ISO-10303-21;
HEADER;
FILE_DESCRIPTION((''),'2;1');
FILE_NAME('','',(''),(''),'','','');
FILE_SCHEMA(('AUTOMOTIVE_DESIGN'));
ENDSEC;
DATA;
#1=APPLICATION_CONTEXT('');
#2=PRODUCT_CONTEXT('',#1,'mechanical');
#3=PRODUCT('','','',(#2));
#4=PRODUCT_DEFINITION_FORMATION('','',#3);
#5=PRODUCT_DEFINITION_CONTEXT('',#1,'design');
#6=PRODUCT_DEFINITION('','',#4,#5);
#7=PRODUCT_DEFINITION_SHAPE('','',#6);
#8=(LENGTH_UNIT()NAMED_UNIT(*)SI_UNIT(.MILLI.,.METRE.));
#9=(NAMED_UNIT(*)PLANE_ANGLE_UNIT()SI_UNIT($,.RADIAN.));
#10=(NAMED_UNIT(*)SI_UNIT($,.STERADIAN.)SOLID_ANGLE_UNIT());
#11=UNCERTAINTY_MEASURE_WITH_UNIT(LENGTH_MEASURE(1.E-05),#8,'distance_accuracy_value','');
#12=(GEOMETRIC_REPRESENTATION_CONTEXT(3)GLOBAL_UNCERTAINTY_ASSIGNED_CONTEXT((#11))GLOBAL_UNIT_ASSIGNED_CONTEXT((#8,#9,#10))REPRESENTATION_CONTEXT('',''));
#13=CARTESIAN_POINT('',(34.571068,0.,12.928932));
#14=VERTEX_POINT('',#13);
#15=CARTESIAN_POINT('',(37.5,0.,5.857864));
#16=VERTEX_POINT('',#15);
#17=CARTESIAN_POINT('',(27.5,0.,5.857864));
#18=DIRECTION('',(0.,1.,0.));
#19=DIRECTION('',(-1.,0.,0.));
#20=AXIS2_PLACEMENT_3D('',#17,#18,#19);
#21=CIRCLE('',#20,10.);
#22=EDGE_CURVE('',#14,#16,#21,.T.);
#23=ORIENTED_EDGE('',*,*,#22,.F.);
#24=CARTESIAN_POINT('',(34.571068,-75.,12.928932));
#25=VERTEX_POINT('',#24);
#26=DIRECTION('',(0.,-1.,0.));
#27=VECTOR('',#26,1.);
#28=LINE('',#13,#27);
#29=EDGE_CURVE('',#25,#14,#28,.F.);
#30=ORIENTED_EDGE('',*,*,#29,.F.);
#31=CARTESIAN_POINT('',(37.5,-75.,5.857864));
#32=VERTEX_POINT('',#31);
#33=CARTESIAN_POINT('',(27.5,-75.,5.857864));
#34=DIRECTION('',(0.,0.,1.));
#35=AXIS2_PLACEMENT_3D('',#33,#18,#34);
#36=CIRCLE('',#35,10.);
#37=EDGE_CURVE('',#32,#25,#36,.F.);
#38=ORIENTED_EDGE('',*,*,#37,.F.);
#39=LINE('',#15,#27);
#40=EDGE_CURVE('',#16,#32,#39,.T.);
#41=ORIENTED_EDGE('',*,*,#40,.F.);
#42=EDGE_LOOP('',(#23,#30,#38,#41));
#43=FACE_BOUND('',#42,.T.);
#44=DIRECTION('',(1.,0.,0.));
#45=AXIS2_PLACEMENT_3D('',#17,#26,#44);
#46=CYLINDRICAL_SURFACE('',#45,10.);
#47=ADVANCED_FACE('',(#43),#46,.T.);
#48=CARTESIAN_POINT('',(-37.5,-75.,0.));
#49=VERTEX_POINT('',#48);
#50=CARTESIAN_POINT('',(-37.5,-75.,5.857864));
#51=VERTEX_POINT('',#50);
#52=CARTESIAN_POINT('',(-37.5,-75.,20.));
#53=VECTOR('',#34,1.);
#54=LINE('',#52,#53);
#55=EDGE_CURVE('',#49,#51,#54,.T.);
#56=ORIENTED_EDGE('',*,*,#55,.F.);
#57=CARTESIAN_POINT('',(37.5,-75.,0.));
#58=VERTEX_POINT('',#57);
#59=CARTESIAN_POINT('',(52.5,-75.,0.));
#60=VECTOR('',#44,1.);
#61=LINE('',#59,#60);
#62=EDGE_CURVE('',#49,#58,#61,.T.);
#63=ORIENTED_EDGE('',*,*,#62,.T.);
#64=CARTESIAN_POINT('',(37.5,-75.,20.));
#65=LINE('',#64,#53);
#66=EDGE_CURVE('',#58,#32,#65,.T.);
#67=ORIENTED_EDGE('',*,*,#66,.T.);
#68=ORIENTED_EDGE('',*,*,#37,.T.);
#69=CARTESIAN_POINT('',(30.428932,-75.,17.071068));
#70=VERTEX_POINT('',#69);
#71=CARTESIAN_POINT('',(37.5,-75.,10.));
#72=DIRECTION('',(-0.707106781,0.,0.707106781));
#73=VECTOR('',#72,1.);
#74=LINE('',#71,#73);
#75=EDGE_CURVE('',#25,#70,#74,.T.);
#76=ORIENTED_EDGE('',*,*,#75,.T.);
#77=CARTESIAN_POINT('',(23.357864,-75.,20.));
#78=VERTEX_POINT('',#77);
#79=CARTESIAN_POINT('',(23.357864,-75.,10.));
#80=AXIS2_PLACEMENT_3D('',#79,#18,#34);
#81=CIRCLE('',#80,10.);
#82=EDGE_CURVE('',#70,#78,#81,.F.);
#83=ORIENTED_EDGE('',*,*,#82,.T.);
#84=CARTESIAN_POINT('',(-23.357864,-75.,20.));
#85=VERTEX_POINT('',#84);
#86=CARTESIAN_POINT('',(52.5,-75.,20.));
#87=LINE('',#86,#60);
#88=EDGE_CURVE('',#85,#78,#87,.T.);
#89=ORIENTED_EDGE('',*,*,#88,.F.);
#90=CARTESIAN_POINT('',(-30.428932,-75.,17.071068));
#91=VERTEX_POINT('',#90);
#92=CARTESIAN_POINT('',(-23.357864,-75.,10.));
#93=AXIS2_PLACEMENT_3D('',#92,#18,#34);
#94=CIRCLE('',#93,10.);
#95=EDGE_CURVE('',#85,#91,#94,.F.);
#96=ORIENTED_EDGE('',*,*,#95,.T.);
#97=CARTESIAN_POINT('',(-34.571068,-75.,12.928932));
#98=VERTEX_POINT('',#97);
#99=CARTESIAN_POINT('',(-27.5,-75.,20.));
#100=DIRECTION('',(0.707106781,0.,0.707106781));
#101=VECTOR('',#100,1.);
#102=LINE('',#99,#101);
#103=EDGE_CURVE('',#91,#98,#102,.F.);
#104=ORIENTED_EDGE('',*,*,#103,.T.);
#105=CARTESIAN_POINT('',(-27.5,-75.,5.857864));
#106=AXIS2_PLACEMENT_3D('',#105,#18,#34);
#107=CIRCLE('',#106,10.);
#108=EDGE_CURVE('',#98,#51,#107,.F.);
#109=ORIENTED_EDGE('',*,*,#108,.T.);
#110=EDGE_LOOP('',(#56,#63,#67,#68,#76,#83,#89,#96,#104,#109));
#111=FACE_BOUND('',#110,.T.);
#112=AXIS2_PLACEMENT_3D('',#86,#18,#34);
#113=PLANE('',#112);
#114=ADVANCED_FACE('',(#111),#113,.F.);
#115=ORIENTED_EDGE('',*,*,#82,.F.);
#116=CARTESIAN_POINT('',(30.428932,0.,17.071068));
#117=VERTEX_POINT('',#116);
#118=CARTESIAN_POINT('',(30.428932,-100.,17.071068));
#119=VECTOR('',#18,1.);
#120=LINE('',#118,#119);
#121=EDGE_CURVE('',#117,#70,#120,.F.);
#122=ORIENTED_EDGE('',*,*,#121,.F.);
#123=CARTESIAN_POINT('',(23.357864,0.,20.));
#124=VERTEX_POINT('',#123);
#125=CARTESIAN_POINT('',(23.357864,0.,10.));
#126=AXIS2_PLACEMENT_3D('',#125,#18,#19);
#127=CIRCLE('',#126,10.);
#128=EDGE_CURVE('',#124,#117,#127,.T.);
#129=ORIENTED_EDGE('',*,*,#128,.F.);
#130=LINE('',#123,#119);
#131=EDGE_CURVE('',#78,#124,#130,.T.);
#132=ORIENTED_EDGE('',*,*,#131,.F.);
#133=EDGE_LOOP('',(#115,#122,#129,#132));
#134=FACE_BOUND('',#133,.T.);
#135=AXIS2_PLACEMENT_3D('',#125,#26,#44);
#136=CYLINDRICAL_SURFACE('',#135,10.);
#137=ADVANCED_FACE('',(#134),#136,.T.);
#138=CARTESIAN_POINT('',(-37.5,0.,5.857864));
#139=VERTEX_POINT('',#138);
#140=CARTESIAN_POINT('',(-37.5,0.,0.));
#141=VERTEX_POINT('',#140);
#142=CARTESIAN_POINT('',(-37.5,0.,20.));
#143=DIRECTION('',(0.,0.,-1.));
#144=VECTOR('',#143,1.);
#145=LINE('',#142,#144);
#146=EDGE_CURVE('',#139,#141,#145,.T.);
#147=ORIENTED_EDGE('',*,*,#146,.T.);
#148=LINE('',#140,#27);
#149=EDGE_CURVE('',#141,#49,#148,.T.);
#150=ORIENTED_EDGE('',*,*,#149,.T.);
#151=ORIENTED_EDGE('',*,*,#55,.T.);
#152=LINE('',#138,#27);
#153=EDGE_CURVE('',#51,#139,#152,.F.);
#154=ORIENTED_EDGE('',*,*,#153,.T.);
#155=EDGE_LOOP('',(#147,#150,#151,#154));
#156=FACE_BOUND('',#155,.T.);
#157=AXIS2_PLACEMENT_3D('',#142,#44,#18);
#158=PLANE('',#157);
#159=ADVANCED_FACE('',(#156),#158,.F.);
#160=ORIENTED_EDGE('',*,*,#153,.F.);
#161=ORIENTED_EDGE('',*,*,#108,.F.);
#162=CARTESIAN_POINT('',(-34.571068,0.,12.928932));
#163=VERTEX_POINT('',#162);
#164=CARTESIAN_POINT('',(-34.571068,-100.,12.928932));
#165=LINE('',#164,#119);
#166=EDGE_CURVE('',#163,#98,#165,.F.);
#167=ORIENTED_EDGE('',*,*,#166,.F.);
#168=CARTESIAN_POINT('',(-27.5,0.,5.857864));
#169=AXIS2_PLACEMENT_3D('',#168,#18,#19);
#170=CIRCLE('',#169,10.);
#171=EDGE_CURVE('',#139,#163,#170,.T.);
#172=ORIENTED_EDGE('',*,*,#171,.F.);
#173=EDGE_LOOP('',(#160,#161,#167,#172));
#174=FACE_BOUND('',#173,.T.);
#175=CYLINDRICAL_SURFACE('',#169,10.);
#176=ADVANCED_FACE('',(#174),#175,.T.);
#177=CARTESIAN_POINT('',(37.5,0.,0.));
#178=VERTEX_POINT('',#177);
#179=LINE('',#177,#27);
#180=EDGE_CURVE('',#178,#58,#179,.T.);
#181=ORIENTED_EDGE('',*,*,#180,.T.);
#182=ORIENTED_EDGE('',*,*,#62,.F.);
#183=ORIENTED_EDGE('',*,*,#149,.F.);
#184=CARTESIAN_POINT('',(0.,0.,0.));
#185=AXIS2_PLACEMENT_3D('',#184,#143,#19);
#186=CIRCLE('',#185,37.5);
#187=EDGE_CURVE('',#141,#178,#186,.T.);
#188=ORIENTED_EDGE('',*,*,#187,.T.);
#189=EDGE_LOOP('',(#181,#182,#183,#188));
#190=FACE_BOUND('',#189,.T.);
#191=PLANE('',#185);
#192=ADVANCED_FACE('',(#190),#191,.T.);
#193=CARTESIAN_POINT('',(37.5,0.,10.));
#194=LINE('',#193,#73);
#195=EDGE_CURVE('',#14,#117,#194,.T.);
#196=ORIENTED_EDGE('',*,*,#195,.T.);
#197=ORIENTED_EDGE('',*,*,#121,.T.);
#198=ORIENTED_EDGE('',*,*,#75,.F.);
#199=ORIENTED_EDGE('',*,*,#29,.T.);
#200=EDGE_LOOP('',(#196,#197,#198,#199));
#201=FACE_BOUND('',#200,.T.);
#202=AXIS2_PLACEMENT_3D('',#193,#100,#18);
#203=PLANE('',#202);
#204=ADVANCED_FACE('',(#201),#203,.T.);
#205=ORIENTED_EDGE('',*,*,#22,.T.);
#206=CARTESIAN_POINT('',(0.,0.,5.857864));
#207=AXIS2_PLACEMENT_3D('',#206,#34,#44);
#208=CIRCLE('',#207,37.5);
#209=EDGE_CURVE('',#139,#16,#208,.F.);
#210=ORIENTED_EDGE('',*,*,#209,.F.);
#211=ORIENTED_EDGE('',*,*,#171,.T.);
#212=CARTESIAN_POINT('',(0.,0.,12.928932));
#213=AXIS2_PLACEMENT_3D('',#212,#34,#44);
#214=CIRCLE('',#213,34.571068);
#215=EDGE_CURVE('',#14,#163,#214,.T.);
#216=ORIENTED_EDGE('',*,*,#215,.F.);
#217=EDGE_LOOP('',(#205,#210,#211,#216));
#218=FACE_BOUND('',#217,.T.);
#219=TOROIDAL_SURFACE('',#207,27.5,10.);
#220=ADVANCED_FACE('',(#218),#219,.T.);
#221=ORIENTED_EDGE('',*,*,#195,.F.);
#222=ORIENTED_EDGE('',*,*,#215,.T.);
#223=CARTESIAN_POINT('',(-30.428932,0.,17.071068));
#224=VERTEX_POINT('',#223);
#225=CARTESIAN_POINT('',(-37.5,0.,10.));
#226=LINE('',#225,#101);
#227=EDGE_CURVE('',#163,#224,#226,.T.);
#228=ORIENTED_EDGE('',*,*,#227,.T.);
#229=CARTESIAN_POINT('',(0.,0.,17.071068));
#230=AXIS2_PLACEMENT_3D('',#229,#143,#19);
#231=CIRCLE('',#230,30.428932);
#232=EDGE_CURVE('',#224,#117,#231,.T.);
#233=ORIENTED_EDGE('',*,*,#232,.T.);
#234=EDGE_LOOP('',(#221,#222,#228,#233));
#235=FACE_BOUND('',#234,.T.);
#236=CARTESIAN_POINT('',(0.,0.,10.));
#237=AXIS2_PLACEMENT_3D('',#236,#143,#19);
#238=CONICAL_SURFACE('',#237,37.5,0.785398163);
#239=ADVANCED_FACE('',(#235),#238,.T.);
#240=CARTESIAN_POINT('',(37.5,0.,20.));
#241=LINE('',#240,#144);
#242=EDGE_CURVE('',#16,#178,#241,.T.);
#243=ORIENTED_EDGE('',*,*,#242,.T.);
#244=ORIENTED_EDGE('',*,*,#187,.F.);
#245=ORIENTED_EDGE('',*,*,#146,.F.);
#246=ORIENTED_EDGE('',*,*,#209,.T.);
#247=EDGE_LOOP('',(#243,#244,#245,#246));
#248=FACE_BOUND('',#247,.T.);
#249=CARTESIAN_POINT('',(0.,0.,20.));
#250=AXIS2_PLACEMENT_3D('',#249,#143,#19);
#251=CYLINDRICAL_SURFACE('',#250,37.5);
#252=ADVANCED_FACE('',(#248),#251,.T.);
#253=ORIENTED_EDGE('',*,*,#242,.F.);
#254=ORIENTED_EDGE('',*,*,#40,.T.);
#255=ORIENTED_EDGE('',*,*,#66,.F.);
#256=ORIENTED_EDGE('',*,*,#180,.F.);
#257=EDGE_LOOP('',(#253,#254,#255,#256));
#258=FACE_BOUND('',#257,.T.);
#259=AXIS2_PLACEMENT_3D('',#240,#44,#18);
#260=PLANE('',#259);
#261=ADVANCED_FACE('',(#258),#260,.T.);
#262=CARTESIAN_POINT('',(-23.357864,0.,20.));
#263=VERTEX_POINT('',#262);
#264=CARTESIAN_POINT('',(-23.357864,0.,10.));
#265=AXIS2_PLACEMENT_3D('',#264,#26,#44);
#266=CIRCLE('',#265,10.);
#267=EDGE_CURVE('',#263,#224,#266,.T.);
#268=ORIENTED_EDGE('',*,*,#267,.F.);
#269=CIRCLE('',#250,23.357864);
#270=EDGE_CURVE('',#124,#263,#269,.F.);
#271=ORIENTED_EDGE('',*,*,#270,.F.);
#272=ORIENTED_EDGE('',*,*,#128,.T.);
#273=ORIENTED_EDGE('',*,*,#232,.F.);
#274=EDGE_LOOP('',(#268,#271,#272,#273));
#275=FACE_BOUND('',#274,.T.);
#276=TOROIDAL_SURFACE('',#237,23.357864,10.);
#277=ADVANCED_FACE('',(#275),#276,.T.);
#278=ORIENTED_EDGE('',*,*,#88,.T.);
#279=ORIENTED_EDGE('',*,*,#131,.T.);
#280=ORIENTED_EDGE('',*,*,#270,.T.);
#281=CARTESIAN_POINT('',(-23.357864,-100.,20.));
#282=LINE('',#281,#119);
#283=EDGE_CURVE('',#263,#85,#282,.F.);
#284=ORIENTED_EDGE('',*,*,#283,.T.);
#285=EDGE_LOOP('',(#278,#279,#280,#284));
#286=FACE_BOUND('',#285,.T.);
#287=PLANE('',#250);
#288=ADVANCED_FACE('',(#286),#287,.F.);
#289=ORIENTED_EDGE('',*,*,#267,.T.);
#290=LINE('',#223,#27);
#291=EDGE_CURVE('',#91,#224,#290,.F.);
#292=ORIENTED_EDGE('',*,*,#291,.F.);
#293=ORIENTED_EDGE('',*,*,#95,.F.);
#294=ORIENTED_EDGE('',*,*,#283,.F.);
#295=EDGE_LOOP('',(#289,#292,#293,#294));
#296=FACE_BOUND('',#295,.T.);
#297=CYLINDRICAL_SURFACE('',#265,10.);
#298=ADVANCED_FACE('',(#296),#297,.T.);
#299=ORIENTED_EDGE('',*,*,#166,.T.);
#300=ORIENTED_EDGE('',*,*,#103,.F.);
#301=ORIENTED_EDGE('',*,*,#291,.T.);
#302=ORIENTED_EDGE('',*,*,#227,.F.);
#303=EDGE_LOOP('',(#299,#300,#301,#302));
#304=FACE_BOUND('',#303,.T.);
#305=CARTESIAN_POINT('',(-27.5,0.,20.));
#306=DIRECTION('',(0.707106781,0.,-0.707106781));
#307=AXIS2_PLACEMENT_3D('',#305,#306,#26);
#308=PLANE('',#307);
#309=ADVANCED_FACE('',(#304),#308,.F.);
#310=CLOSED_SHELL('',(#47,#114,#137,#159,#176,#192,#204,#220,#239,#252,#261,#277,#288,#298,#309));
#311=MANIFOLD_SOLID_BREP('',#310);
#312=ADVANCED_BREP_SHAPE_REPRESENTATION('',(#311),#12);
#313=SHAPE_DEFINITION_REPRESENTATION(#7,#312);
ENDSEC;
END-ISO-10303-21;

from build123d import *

# Parameters (mm, degrees)
BOSS_EXTRUDE1_DEPTH = 20
CHAMFER1_SIZE       = 10
FILLET1_R           = 10
FILLET2_R           = 10
SKETCH9_W           = 105
SKETCH9_H           = 30
CUT_EXTRUDE2_DEPTH  = 109.656569187


with BuildPart() as part:
    # Sketch1 → Boss-Extrude1 (new body)
    with BuildSketch(Plane.XY):
        with BuildLine():
            Line((-37.5, 0), (-37.5, -100))
            Line((-37.5, -100), (37.5, -100))
            Line((37.5, -100), (37.5, 0))
            ThreePointArc((37.5, 0), (0, 37.5), (-37.5, 0))
        make_face()
    extrude(amount=BOSS_EXTRUDE1_DEPTH)

    # Chamfer1
    chamfer1_edges = [part.edges().sort_by_distance(p)[0] for p in [
        (-37.5, -50, 20),
        (0, 37.5, 20),
        (37.5, -50, 20),
    ]]
    chamfer(chamfer1_edges, length=CHAMFER1_SIZE)

    # Fillet1
    fillet1_edges = [part.edges().sort_by_distance(p)[0] for p in [
        (-27.5, -50, 20),
        (0, 27.5, 20),
        (27.5, -50, 20),
    ]]
    fillet(fillet1_edges, radius=FILLET1_R)

    # Fillet2
    fillet2_edges = [part.edges().sort_by_distance(p)[0] for p in [
        (37.5, -50, 10),
        (0, 37.5, 10),
        (-37.5, -50, 10),
    ]]
    fillet(fillet2_edges, radius=FILLET2_R)

    # Sketch9 → Cut-Extrude2 (cut, through all)
    with BuildSketch(Plane(origin=(0, 0, 0), x_dir=(-1, 0, 0), z_dir=(0, 0, -1))):
        with Locations((0, -90)):
            Rectangle(SKETCH9_W, SKETCH9_H)
    extrude(amount=-CUT_EXTRUDE2_DEPTH, mode=Mode.SUBTRACT)


solid = part.part
